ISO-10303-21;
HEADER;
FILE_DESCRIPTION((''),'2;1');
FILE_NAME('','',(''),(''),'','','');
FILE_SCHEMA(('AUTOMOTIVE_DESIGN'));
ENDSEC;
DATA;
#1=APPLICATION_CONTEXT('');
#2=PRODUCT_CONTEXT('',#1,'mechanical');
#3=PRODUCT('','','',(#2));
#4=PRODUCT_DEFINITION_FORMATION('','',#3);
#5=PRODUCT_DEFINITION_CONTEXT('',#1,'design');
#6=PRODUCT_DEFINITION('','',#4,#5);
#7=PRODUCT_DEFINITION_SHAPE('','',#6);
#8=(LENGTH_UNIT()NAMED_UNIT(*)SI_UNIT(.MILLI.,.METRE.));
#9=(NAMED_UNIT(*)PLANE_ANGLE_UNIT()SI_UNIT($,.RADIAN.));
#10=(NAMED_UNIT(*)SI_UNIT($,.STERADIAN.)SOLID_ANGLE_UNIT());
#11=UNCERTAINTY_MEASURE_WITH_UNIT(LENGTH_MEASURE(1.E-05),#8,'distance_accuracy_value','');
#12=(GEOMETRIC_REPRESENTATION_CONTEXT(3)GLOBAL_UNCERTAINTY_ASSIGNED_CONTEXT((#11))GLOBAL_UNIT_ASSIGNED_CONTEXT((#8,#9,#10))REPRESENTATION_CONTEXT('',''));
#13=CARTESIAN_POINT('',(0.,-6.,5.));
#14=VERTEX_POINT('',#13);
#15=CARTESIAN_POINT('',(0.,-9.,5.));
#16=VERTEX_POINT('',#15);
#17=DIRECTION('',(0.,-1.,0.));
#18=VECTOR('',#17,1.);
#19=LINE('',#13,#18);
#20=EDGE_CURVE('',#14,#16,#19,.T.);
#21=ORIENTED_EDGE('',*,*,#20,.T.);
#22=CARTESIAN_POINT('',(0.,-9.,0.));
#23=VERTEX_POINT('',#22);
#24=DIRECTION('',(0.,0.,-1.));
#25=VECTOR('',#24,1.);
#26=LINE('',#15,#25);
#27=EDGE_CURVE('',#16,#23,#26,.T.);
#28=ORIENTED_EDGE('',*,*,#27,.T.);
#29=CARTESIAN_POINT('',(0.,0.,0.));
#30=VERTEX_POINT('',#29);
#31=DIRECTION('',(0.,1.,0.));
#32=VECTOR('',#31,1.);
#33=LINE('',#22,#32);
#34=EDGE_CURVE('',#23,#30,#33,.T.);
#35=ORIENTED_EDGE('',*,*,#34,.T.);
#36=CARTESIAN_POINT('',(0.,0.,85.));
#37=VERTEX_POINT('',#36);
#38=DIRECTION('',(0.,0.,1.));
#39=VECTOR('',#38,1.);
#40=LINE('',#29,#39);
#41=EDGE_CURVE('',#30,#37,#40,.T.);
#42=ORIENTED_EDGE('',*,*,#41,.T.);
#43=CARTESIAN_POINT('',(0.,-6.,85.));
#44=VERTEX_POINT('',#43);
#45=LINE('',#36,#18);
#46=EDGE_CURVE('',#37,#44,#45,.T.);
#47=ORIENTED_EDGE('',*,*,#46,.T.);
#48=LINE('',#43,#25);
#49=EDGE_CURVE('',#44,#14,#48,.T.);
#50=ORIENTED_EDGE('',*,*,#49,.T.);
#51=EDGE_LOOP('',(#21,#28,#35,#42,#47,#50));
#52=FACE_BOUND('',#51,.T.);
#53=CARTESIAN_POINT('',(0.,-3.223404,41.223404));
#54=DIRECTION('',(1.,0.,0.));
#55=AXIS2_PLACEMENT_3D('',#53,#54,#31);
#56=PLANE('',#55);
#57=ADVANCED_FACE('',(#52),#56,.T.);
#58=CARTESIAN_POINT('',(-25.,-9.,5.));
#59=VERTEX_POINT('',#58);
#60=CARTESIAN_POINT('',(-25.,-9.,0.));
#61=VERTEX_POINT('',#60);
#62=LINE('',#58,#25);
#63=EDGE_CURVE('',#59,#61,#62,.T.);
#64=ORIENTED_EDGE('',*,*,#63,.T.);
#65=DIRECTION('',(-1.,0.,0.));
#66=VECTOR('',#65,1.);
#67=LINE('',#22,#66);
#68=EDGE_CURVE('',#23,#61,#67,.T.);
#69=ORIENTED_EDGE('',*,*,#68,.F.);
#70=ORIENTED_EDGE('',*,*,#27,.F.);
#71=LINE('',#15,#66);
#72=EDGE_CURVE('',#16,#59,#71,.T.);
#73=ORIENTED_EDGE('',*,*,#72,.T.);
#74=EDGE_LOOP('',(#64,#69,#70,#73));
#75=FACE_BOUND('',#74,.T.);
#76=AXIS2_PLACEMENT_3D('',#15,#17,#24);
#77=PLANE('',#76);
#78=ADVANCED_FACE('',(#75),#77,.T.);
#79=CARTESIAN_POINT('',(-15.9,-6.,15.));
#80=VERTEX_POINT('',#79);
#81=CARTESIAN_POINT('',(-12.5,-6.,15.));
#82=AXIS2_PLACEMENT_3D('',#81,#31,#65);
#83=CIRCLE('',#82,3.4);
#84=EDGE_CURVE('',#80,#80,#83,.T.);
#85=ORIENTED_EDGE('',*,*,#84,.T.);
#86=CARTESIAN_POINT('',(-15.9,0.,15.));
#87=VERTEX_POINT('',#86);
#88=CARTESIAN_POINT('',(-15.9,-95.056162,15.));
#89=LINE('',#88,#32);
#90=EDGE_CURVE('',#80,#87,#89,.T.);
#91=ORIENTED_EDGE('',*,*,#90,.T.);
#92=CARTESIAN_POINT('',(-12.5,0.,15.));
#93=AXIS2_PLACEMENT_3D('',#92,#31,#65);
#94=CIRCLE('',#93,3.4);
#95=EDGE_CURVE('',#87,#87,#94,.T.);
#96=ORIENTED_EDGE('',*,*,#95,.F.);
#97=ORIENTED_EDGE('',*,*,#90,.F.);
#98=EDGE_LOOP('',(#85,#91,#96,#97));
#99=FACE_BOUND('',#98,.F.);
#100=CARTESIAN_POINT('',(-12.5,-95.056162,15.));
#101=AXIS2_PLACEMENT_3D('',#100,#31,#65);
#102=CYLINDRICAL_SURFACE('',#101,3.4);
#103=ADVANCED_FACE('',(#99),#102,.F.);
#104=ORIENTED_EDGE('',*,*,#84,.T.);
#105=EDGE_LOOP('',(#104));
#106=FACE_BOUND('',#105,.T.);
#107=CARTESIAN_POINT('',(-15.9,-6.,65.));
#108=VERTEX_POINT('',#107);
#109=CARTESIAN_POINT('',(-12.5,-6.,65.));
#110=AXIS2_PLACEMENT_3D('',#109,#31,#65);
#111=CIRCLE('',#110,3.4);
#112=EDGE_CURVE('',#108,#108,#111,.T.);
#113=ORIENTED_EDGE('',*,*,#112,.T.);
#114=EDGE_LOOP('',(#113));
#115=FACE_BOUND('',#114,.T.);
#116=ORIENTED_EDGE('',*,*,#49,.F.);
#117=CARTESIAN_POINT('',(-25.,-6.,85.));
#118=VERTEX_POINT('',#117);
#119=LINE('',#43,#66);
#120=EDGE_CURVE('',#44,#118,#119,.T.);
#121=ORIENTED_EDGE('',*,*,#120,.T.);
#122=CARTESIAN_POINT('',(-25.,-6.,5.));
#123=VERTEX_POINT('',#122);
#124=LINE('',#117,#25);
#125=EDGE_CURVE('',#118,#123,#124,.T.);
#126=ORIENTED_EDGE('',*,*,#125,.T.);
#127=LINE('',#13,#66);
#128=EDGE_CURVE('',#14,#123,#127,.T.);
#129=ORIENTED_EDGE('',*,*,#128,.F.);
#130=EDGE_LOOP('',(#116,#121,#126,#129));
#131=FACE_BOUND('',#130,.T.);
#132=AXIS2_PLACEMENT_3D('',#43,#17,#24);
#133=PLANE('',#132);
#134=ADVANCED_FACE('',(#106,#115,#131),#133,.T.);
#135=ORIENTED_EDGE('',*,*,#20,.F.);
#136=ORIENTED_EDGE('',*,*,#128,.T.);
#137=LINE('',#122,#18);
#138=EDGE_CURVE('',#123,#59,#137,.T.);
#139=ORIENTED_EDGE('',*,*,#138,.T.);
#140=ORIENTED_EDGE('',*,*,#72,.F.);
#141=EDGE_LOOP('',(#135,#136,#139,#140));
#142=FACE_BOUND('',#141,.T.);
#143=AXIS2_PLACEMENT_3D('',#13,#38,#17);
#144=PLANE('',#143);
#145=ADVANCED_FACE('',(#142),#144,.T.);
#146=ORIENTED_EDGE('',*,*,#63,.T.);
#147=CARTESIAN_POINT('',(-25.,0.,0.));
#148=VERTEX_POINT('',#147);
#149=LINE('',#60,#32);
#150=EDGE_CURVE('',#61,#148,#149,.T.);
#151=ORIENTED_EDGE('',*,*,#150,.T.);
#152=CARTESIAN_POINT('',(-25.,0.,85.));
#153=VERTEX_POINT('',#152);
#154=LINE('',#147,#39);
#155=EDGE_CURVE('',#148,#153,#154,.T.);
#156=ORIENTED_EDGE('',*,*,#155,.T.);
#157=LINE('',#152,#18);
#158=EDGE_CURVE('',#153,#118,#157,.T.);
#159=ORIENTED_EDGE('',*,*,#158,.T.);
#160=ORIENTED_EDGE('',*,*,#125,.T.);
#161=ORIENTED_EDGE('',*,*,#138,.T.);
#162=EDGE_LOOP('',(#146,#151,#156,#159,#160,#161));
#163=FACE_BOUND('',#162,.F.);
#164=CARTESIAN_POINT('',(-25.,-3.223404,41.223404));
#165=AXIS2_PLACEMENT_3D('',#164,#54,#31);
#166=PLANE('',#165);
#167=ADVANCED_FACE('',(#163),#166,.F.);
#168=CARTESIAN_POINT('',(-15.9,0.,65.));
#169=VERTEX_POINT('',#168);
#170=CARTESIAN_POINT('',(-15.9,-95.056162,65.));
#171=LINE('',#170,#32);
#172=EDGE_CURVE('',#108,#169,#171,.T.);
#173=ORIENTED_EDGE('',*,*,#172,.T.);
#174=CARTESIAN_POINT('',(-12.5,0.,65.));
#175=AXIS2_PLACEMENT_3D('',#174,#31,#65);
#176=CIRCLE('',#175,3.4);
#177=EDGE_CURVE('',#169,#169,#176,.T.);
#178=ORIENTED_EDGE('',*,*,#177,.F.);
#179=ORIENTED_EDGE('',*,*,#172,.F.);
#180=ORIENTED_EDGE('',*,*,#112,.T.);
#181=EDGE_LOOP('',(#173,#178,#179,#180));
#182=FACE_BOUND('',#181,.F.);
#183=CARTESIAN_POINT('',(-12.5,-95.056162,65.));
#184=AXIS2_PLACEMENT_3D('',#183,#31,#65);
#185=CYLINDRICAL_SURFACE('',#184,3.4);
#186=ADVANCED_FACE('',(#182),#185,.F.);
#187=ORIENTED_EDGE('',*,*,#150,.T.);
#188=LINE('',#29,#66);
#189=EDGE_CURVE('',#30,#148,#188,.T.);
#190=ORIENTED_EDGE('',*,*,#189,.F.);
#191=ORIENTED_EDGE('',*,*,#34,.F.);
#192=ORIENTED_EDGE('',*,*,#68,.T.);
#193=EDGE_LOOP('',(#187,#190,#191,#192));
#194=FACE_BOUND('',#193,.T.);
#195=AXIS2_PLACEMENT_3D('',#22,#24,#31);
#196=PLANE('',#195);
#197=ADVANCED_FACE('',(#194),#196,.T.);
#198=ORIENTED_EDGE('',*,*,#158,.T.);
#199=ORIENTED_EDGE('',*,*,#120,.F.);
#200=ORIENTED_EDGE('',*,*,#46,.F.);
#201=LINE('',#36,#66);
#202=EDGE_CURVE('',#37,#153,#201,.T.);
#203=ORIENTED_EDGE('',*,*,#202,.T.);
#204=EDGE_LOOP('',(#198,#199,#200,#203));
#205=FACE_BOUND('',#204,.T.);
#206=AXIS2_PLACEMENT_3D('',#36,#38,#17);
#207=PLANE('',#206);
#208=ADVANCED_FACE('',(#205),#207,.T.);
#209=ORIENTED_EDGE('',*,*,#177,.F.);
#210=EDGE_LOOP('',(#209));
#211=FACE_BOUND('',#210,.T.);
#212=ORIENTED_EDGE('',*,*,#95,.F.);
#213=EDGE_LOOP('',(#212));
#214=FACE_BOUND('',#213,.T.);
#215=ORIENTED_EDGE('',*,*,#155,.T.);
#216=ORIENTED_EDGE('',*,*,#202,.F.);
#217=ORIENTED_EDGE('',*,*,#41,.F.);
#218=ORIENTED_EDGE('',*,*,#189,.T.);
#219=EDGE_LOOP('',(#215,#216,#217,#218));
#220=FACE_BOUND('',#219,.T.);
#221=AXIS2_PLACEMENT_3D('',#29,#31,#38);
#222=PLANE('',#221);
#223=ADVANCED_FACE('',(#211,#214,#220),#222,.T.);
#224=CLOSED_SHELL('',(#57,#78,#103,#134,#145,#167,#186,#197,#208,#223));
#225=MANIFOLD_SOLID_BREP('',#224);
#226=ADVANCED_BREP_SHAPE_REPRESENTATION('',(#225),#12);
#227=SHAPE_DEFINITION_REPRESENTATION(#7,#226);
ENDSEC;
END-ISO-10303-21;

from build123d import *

# Parameters (mm, degrees)
F1_DEPTH = 25
F3_D     = 6.8


with BuildPart() as f1:
    # F0 (on Right) → F1 (new body)
    with BuildSketch(Plane.YZ):
        Polygon((0, 0), (0, 85), (-6, 85), (-6, 5), (-9, 5), (-9, 0), align=None)
    extrude(amount=-F1_DEPTH)

    # F3 (through all)
    with Locations(Plane.XZ.offset(6)):
        with Locations((-12.5, 65), (-12.5, 15)):
            Hole(F3_D / 2)


solid = f1.part
